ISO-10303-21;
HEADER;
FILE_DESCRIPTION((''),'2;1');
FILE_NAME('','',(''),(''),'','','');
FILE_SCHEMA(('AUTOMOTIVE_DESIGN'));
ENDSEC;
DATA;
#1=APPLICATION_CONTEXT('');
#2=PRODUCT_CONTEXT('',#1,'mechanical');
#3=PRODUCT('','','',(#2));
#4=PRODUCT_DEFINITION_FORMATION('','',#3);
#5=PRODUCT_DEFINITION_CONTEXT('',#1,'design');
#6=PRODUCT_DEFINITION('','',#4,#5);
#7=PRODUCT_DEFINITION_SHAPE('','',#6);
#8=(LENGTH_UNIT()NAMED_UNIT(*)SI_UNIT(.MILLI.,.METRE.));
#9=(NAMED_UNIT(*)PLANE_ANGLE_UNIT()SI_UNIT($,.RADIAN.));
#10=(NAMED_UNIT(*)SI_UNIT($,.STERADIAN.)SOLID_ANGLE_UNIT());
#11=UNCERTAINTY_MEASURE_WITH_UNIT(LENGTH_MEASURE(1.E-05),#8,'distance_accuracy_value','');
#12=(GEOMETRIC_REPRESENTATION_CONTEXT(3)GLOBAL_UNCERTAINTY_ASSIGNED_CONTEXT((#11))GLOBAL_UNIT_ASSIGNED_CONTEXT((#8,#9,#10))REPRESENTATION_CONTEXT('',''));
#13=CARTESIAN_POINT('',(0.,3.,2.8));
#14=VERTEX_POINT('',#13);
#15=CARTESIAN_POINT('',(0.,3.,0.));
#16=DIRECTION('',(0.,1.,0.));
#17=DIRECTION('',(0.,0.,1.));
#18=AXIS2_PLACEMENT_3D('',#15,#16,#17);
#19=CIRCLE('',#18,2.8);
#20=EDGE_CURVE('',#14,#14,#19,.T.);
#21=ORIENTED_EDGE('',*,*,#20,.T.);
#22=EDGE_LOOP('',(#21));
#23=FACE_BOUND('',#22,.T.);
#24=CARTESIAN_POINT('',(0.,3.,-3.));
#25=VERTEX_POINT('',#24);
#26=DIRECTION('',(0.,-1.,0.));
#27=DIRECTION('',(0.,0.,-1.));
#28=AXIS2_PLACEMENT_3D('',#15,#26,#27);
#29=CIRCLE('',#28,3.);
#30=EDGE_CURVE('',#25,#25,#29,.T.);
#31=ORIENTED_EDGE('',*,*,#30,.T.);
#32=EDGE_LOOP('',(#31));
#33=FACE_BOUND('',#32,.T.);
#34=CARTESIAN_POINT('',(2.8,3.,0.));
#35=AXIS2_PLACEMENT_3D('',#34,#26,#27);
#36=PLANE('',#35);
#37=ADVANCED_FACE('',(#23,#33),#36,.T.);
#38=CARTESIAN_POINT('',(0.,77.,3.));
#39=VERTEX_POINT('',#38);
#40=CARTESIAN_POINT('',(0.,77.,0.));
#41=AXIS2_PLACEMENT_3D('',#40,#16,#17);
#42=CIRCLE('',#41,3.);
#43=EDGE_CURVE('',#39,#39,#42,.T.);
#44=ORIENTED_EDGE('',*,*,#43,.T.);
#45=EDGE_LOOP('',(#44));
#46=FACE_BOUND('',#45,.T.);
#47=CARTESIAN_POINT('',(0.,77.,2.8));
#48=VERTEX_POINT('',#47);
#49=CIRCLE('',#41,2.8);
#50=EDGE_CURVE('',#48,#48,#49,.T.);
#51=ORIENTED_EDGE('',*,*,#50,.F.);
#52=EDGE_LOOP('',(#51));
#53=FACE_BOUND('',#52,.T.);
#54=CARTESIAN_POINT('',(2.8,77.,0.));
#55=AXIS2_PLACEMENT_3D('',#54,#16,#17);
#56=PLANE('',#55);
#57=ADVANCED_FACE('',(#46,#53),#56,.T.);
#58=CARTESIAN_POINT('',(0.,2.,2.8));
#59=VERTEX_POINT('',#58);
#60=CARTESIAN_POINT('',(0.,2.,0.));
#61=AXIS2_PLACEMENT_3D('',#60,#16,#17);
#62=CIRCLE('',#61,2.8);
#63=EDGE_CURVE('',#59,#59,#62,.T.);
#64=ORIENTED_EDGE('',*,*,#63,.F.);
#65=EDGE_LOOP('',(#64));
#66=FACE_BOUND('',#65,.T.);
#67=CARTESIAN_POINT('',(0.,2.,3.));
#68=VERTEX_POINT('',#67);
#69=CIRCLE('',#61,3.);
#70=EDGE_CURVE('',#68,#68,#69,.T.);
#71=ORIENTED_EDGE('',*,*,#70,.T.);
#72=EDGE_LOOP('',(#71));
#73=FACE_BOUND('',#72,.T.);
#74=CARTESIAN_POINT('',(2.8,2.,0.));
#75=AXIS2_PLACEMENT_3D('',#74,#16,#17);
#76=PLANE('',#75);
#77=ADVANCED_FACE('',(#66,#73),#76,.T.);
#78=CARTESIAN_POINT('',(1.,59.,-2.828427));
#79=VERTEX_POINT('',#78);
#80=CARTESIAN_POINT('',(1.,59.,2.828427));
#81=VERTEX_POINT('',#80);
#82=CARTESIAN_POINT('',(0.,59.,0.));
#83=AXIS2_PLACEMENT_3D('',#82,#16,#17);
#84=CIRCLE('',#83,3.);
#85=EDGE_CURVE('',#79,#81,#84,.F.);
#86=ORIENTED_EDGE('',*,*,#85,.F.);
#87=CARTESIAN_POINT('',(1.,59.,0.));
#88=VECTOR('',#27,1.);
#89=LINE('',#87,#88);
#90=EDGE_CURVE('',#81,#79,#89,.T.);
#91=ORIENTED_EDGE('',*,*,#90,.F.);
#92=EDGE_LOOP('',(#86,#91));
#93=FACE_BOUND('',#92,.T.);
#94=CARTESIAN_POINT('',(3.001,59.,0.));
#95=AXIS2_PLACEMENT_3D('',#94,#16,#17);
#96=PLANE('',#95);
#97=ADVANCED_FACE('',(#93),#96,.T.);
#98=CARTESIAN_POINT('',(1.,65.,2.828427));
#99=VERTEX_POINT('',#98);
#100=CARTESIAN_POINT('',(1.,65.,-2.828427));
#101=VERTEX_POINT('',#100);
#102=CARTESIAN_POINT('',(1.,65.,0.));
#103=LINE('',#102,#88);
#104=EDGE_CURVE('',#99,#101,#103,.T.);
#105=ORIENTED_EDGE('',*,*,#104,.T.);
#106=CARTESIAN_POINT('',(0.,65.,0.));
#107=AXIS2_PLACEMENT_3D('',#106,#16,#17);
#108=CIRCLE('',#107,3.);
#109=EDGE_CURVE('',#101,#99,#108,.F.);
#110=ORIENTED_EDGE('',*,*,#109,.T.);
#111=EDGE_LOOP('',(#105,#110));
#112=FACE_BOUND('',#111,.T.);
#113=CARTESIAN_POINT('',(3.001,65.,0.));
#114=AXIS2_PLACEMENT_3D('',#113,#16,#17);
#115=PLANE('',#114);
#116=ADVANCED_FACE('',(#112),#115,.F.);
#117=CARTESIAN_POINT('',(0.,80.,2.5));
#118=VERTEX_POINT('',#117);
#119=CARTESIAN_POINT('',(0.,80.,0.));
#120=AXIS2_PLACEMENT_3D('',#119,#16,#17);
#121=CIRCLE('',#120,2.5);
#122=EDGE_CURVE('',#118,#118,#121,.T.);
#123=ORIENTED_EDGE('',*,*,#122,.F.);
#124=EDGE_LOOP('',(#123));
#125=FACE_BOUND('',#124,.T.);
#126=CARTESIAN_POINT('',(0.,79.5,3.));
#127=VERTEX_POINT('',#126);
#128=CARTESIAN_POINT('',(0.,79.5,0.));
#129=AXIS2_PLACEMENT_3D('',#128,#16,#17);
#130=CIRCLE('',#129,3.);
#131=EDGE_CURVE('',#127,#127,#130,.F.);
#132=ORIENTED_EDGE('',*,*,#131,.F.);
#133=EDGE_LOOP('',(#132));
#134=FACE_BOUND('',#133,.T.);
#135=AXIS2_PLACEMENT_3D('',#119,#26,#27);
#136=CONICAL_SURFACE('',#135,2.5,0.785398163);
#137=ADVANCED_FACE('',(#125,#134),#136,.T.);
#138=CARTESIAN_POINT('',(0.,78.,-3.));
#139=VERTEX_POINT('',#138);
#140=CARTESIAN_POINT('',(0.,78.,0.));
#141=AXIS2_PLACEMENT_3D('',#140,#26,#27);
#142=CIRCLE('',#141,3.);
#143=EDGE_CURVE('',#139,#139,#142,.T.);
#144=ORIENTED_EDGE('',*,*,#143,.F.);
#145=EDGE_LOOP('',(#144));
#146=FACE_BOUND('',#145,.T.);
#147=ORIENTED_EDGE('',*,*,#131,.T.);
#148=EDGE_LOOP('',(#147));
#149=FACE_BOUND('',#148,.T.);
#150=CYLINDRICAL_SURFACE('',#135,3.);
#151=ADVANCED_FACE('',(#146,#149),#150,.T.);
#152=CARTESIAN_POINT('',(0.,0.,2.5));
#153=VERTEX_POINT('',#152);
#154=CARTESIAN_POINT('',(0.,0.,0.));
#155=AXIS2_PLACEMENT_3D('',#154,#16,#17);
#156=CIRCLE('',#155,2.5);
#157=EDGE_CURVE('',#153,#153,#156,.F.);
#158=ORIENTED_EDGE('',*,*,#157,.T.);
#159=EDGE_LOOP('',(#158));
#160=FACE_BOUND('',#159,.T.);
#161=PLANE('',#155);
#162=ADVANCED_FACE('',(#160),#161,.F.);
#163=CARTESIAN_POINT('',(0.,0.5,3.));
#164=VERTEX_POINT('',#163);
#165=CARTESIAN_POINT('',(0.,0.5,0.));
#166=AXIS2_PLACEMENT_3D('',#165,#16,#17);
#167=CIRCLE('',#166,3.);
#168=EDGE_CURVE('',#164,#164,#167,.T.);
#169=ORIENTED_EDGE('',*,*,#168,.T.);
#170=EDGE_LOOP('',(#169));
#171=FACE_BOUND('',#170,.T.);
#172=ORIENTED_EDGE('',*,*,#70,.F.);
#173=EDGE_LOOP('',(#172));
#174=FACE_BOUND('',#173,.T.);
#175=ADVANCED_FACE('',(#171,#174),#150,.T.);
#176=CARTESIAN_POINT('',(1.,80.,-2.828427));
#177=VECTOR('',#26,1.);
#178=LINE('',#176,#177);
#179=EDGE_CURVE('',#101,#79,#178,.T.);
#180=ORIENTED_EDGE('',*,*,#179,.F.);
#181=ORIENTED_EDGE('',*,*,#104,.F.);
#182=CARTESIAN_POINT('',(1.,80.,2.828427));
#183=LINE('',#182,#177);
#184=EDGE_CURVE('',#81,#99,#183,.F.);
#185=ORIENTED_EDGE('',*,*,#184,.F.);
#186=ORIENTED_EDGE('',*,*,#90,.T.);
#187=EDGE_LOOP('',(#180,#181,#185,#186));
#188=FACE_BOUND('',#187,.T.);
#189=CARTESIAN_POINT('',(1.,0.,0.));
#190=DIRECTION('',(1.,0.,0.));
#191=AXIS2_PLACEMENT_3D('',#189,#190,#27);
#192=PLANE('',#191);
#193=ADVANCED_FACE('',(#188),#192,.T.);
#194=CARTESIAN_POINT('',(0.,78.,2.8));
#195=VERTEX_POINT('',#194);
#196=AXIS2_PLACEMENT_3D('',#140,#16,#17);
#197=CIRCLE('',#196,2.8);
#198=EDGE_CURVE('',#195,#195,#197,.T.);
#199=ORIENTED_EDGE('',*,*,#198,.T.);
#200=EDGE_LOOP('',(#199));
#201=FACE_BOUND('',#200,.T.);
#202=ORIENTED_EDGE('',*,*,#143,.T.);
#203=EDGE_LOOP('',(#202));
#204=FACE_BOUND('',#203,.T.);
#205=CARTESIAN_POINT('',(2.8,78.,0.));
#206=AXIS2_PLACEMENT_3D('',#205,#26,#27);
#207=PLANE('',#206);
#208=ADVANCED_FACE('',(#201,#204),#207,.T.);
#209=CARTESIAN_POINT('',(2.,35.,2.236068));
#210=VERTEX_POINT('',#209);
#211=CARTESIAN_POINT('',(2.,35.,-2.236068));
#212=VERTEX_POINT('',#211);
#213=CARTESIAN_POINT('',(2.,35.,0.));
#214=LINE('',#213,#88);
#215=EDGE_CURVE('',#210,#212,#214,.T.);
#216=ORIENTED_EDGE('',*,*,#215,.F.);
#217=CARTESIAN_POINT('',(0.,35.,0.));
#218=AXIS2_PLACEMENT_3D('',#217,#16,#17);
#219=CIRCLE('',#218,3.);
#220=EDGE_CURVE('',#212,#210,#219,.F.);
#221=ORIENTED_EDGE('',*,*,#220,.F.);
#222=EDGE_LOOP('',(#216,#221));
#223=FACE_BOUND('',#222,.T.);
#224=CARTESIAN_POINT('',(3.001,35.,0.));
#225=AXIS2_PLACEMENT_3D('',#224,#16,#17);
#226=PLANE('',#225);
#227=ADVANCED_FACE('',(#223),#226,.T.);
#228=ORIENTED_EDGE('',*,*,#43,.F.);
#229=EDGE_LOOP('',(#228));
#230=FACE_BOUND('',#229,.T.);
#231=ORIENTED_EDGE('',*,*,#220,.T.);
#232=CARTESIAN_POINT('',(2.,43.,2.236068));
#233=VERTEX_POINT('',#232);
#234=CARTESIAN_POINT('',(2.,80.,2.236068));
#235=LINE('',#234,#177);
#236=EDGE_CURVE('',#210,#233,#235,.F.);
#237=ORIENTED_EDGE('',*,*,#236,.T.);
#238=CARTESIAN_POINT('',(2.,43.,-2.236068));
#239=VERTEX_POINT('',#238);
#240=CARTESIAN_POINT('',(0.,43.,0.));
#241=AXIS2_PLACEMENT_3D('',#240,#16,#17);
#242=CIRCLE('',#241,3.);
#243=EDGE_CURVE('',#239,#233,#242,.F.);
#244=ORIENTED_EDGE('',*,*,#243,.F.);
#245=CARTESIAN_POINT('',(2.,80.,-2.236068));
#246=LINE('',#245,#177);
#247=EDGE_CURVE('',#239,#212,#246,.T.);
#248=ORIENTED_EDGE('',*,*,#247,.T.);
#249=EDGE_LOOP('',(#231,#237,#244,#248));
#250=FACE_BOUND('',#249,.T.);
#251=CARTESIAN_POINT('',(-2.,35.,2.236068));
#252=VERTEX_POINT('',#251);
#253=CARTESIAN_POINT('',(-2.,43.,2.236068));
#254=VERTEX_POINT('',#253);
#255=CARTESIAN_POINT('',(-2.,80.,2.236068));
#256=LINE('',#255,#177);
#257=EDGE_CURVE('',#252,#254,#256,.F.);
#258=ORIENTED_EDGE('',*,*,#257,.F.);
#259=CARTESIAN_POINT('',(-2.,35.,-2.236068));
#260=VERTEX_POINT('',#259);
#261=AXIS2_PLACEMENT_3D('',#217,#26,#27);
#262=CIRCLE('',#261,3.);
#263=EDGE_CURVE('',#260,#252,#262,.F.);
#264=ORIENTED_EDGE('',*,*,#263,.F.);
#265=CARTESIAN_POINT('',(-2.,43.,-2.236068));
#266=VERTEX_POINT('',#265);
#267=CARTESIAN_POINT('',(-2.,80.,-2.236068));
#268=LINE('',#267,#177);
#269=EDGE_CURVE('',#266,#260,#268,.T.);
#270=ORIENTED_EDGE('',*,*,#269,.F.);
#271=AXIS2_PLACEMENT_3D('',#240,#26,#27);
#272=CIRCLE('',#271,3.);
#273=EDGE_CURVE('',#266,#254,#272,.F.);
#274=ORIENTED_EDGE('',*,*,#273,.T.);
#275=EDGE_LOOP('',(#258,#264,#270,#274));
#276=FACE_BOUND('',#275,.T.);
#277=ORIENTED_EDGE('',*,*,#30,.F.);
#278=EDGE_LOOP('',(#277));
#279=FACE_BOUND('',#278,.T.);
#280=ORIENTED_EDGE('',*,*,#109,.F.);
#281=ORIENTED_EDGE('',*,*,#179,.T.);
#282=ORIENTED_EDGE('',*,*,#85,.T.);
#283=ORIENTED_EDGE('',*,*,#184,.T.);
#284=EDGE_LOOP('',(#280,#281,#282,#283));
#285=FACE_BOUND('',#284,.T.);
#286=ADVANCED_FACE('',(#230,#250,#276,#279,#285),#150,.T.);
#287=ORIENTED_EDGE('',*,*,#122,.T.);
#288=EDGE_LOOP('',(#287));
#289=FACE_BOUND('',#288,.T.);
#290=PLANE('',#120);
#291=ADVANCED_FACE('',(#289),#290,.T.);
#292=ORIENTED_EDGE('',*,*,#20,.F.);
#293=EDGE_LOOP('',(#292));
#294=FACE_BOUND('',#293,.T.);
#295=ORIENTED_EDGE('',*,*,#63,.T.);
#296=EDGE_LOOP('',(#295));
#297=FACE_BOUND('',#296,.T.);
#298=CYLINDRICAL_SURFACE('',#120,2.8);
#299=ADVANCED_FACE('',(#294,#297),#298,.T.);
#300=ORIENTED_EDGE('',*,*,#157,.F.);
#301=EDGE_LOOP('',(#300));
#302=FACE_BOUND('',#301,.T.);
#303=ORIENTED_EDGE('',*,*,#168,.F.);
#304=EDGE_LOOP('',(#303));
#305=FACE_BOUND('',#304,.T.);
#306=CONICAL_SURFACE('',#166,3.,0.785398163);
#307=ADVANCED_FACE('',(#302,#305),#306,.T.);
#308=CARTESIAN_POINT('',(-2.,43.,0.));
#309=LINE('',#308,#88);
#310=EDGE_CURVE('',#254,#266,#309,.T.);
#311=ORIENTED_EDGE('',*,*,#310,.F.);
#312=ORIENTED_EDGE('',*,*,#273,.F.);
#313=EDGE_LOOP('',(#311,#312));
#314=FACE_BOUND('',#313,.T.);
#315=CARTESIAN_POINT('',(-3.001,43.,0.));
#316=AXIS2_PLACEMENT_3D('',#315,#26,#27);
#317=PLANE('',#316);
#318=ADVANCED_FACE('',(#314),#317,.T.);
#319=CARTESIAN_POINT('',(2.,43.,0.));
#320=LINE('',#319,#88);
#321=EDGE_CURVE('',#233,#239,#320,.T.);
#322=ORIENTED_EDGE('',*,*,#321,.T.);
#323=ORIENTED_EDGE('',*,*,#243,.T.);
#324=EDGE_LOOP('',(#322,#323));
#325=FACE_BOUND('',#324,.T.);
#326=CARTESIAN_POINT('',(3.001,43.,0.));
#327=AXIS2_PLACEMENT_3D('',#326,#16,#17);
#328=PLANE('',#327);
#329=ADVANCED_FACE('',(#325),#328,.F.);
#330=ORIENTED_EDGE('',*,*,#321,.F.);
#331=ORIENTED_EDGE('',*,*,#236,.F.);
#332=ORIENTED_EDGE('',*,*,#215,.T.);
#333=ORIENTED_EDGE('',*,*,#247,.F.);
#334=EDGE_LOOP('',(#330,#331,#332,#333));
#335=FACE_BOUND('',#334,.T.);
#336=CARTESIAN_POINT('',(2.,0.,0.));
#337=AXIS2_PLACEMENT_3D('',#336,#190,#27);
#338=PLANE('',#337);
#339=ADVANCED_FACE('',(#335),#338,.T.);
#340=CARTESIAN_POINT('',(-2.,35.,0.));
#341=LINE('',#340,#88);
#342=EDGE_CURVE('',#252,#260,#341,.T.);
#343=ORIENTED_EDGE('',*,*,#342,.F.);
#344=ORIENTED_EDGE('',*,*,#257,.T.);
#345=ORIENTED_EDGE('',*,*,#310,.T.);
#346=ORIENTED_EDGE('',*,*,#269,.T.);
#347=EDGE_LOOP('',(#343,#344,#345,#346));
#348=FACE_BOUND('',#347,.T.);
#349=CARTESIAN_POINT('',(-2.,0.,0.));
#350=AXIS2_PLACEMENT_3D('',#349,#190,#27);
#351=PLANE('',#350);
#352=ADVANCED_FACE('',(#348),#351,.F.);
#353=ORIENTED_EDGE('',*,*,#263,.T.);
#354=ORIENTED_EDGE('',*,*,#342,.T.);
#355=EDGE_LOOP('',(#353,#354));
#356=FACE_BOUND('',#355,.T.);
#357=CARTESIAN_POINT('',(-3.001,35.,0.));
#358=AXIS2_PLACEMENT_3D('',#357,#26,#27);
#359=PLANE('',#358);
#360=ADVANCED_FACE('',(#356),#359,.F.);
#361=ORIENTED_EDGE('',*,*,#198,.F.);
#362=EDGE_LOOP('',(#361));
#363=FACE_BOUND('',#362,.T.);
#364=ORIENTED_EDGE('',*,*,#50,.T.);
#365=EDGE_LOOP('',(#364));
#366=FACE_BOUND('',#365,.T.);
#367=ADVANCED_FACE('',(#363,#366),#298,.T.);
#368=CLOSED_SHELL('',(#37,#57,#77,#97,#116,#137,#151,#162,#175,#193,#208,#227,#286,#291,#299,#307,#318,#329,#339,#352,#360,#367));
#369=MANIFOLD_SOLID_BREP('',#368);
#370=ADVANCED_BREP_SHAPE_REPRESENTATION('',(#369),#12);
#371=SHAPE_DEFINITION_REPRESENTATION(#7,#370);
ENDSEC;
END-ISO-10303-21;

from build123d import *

# Parameters (mm, degrees)
CROQUIS1_R              = 3
SALIENTE_EXTRUIR1_DEPTH = 80
CROQUIS2_W              = 5.531234996
CROQUIS2_H              = 1
CORTAR_EXTRUIR1_REACH   = 83.112
CORTAR_EXTRUIR1_START   = 1
CROQUIS3_W              = 6
CROQUIS3_H              = 6
CORTAR_EXTRUIR3_REACH   = 84.112
CORTAR_EXTRUIR3_START   = -2
CROQUIS3_2_W            = 6
CROQUIS3_2_H            = 8
CORTAR_EXTRUIR4_REACH   = 84.112
CORTAR_EXTRUIR4_START   = 2
CROQUIS3_4_W            = 6
CROQUIS3_4_H            = 8
CHAFL_N1_SIZE           = 0.5


with BuildPart() as part:
    # Croquis1 → Saliente-Extruir1 (new body)
    with BuildSketch(Plane(origin=(0, 0, 0), x_dir=(1, 0, 0), z_dir=(0, 1, 0))):
        Circle(CROQUIS1_R)
    extrude(amount=SALIENTE_EXTRUIR1_DEPTH)

    # Croquis2 → Cortar-Revolución1 (revolve, cut)
    with BuildSketch(Plane.XY):
        with Locations((5.565617498, 77.5)):
            Rectangle(CROQUIS2_W, CROQUIS2_H)
        with Locations((5.565617498, 2.5)):
            Rectangle(CROQUIS2_W, CROQUIS2_H)
    revolve(axis=Axis((0, 80, 0), (0, -1, 0)), mode=Mode.SUBTRACT)

    # Croquis3 → Cortar-Extruir1 (cut, up to next)
    with BuildSketch(Plane(origin=(0, 0, 0), x_dir=(0, 0, -1), z_dir=(1, 0, 0)).offset(CORTAR_EXTRUIR1_START), mode=Mode.PRIVATE) as cortar_extruir1_sk1:
        with Locations((0, 62)):
            Rectangle(CROQUIS3_W, CROQUIS3_H)
    cortar_extruir1_tool1 = extrude(cortar_extruir1_sk1.sketch, amount=CORTAR_EXTRUIR1_REACH, mode=Mode.PRIVATE) & part.part
    add(cortar_extruir1_tool1.solids().sort_by_distance((1, 62, 0))[0], mode=Mode.SUBTRACT)

    # Croquis3<2> → Cortar-Extruir3 (cut, up to next)
    with BuildSketch(Plane(origin=(0, 0, 0), x_dir=(0, 0, -1), z_dir=(1, 0, 0)).offset(CORTAR_EXTRUIR3_START), mode=Mode.PRIVATE) as cortar_extruir3_sk1:
        with Locations((0, 39)):
            Rectangle(CROQUIS3_2_W, CROQUIS3_2_H)
    cortar_extruir3_tool1 = extrude(cortar_extruir3_sk1.sketch, amount=-CORTAR_EXTRUIR3_REACH, mode=Mode.PRIVATE) & part.part
    add(cortar_extruir3_tool1.solids().sort_by_distance((-2, 39, 0))[0], mode=Mode.SUBTRACT)

    # Croquis3<4> → Cortar-Extruir4 (cut, up to next)
    with BuildSketch(Plane(origin=(0, 0, 0), x_dir=(0, 0, -1), z_dir=(1, 0, 0)).offset(CORTAR_EXTRUIR4_START), mode=Mode.PRIVATE) as cortar_extruir4_sk1:
        with Locations((0, 39)):
            Rectangle(CROQUIS3_4_W, CROQUIS3_4_H)
    cortar_extruir4_tool1 = extrude(cortar_extruir4_sk1.sketch, amount=CORTAR_EXTRUIR4_REACH, mode=Mode.PRIVATE) & part.part
    add(cortar_extruir4_tool1.solids().sort_by_distance((2, 39, 0))[0], mode=Mode.SUBTRACT)

    # Chaflán1
    chafl_n1_edges = [part.edges().sort_by_distance(p)[0] for p in [
        (-3, 0, 0),
        (-3, 80, 0),
    ]]
    chamfer(chafl_n1_edges, length=CHAFL_N1_SIZE)


solid = part.part
